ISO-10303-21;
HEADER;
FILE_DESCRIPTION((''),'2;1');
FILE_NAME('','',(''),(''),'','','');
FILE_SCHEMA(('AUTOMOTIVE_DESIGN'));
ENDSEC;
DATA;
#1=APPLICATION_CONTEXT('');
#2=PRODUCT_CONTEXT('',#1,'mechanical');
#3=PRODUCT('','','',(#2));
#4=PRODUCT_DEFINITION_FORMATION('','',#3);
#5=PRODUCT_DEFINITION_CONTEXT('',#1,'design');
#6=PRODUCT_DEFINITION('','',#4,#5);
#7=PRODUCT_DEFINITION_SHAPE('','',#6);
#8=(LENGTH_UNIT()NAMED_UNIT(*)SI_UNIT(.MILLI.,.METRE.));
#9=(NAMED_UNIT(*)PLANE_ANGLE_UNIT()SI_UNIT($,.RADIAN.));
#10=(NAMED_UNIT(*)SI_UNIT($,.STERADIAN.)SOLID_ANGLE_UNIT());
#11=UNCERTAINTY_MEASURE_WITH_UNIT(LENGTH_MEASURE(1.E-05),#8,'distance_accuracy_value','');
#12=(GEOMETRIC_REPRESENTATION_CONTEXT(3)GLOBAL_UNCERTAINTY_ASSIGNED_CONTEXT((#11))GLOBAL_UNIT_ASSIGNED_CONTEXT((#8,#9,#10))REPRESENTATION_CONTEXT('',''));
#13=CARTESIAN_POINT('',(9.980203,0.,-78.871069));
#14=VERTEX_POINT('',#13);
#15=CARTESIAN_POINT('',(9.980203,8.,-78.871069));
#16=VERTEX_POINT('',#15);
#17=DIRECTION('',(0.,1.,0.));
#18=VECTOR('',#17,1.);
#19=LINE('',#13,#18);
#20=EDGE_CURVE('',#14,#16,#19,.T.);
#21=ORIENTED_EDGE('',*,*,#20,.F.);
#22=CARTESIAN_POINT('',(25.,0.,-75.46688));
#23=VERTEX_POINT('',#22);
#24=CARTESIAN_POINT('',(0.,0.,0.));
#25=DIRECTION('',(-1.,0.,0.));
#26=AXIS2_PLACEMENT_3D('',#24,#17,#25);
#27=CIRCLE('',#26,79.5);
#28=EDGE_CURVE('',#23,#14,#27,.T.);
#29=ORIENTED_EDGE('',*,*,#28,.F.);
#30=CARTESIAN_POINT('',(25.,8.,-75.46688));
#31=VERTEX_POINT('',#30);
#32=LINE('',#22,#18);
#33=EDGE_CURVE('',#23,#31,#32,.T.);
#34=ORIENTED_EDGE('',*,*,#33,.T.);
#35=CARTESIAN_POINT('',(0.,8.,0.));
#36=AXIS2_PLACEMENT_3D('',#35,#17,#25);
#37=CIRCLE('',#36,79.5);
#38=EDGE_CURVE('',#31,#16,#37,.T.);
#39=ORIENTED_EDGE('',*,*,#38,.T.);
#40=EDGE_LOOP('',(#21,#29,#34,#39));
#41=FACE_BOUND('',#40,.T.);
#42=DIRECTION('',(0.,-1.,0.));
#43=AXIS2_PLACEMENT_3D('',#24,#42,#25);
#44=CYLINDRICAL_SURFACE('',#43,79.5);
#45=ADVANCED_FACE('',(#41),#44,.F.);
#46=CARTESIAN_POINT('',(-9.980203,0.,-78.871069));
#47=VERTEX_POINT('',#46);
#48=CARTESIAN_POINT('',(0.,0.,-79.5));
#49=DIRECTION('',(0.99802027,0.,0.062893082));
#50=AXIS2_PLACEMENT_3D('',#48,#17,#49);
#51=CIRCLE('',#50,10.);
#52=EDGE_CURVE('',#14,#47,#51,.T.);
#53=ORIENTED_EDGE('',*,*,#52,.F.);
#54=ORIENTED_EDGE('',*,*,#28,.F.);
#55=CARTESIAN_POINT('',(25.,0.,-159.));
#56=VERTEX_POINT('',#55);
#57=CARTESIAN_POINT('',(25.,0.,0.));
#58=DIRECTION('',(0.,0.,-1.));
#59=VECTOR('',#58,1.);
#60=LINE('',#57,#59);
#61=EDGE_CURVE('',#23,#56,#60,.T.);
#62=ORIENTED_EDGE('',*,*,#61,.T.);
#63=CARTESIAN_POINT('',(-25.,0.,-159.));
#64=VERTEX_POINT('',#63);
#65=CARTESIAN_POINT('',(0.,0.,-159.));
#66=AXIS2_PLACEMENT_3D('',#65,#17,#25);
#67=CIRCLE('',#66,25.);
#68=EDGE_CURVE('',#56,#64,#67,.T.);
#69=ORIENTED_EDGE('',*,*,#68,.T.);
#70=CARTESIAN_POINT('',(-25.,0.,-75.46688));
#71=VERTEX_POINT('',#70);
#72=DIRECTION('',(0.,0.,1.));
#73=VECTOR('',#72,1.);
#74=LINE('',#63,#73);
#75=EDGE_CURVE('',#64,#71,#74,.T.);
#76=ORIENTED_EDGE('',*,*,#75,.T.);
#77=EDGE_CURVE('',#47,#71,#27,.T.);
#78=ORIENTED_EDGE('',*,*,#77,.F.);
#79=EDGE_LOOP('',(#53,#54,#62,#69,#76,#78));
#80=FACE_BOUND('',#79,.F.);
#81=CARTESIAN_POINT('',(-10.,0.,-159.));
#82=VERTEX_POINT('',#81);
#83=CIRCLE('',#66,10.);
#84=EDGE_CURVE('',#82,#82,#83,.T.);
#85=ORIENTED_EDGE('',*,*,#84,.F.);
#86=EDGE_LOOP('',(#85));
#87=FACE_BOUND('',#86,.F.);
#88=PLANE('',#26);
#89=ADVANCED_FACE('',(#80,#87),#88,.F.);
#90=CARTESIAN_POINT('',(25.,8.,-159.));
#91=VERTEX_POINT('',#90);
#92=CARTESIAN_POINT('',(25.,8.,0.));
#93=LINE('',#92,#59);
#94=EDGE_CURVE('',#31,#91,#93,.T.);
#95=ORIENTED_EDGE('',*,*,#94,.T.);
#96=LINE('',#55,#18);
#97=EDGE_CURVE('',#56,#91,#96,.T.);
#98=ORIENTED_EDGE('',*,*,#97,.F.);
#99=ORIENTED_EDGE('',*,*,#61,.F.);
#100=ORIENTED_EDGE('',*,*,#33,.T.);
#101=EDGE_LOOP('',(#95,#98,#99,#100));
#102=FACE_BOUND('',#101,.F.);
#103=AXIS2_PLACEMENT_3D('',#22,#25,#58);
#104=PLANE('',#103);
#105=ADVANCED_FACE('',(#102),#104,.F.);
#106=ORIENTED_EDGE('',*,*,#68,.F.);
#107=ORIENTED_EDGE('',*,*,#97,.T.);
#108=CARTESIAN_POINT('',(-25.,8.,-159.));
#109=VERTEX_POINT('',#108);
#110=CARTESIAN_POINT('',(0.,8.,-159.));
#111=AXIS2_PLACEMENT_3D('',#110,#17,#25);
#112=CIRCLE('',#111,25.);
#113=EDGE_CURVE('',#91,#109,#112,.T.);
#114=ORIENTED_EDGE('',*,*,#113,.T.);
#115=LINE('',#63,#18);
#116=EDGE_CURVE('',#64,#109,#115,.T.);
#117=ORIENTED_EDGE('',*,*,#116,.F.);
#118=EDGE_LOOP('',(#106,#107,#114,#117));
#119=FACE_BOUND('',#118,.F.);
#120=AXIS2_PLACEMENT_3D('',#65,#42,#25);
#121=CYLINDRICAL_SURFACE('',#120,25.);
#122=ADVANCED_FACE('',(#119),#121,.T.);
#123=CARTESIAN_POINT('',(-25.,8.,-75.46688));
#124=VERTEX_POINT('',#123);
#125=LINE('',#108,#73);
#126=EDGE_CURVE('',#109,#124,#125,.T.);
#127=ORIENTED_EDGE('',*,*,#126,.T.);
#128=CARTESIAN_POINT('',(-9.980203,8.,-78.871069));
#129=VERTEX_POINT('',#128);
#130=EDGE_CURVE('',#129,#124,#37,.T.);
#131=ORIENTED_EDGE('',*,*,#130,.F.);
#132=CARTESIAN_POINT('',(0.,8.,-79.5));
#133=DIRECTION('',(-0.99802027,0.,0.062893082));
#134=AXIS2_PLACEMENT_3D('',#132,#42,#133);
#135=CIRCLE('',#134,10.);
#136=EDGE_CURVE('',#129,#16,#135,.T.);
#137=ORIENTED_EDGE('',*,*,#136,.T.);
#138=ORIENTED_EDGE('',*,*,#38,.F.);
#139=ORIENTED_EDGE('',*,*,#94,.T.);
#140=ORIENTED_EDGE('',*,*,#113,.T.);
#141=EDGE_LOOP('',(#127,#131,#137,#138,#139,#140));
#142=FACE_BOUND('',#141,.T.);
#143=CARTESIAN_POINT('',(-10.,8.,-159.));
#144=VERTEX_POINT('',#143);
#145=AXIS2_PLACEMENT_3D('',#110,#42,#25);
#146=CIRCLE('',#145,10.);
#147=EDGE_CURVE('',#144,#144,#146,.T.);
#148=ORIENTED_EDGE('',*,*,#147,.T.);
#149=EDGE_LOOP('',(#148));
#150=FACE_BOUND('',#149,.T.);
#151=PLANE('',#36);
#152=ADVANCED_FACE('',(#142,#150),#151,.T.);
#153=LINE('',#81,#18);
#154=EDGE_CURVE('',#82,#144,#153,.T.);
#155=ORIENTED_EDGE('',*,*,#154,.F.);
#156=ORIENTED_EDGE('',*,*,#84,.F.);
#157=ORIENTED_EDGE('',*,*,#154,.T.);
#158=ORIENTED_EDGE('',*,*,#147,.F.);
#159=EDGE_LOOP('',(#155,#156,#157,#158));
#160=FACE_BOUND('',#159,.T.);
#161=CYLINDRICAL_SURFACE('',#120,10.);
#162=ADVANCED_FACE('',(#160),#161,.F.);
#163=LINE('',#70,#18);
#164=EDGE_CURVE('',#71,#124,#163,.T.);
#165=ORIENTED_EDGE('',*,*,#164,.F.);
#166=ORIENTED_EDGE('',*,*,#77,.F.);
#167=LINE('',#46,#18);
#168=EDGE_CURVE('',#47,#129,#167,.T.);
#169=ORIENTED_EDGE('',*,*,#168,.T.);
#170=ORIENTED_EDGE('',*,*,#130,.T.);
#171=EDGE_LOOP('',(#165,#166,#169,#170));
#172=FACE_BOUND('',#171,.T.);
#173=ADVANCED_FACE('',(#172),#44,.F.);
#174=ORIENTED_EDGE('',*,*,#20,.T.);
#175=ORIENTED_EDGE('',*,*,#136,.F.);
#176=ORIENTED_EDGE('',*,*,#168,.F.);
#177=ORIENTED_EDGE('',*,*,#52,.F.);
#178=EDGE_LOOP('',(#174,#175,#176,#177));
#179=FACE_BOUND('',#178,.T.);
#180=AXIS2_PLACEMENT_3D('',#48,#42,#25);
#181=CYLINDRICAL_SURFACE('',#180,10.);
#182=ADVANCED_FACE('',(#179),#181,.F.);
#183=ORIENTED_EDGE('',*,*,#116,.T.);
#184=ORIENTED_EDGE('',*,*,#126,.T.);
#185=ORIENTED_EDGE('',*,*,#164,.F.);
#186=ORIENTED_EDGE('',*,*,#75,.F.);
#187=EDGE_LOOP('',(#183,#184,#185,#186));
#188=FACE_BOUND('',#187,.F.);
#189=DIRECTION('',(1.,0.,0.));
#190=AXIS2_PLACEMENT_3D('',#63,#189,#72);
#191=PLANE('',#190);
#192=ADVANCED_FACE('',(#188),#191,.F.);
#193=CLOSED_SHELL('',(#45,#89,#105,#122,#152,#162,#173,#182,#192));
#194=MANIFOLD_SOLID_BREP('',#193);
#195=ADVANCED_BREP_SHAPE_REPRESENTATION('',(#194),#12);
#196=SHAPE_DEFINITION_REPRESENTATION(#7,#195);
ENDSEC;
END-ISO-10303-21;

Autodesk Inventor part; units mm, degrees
ref_plane "YZ Plane" through (0, 0, 0) normal (1, 0, 0) x (0, 1, 0)
ref_plane "XZ Plane" through (0, 0, 0) normal (0, 1, 0) x (-1, 0, 0)
ref_plane "XY Plane" through (0, 0, 0) normal (0, 0, 1) x (1, 0, 0)
sketch "スケッチ1" plane through (0, 0, 0) normal (0, 1, 0) x (-1, 0, 0)
  line L0 (25, 0) -> (-25, 0)
  line L1 (-25, 0) -> (-25, -159)
  line L2 (-25, -159) -> (25, -159)
  line L3 (25, -159) -> (25, 0)
  circle A0 centre (0, 0) radius 25
  circle A1 centre (0, 0) radius 57 construction
  circle A2 centre (0, -79.5) radius 22.5 construction
  circle A3 centre (0, 0) radius 75 construction
  circle A4 centre (0, -79.5) radius 10
  circle A5 centre (0, 0) radius 10
  circle A6 centre (0, -159) radius 10
  circle A7 centre (0, -159) radius 57 construction
  circle A8 centre (0, -159) radius 25
  circle A9 centre (0, 0) radius 79.5
  point P0 (25, -75.4669)
  point P1 (9.9802, -78.8711)
  point P2 (-9.9802, -78.8711)
  point P3 (-25, -75.4669)
  dimension "d0" = 114
  dimension "d1" = 45
  dimension "d2" = 150
  dimension "d3" = 20
  dimension "d4" = 20
  dimension "d5" = 50
  dimension "d8" = 20
extrude "押し出し1" add sketch "スケッチ1" along normal blind 8 contours L3 A8 L1 A9 A4 | A8 L2 A6 | L2 A6 A8
properties part number "ギアプレートupper"
